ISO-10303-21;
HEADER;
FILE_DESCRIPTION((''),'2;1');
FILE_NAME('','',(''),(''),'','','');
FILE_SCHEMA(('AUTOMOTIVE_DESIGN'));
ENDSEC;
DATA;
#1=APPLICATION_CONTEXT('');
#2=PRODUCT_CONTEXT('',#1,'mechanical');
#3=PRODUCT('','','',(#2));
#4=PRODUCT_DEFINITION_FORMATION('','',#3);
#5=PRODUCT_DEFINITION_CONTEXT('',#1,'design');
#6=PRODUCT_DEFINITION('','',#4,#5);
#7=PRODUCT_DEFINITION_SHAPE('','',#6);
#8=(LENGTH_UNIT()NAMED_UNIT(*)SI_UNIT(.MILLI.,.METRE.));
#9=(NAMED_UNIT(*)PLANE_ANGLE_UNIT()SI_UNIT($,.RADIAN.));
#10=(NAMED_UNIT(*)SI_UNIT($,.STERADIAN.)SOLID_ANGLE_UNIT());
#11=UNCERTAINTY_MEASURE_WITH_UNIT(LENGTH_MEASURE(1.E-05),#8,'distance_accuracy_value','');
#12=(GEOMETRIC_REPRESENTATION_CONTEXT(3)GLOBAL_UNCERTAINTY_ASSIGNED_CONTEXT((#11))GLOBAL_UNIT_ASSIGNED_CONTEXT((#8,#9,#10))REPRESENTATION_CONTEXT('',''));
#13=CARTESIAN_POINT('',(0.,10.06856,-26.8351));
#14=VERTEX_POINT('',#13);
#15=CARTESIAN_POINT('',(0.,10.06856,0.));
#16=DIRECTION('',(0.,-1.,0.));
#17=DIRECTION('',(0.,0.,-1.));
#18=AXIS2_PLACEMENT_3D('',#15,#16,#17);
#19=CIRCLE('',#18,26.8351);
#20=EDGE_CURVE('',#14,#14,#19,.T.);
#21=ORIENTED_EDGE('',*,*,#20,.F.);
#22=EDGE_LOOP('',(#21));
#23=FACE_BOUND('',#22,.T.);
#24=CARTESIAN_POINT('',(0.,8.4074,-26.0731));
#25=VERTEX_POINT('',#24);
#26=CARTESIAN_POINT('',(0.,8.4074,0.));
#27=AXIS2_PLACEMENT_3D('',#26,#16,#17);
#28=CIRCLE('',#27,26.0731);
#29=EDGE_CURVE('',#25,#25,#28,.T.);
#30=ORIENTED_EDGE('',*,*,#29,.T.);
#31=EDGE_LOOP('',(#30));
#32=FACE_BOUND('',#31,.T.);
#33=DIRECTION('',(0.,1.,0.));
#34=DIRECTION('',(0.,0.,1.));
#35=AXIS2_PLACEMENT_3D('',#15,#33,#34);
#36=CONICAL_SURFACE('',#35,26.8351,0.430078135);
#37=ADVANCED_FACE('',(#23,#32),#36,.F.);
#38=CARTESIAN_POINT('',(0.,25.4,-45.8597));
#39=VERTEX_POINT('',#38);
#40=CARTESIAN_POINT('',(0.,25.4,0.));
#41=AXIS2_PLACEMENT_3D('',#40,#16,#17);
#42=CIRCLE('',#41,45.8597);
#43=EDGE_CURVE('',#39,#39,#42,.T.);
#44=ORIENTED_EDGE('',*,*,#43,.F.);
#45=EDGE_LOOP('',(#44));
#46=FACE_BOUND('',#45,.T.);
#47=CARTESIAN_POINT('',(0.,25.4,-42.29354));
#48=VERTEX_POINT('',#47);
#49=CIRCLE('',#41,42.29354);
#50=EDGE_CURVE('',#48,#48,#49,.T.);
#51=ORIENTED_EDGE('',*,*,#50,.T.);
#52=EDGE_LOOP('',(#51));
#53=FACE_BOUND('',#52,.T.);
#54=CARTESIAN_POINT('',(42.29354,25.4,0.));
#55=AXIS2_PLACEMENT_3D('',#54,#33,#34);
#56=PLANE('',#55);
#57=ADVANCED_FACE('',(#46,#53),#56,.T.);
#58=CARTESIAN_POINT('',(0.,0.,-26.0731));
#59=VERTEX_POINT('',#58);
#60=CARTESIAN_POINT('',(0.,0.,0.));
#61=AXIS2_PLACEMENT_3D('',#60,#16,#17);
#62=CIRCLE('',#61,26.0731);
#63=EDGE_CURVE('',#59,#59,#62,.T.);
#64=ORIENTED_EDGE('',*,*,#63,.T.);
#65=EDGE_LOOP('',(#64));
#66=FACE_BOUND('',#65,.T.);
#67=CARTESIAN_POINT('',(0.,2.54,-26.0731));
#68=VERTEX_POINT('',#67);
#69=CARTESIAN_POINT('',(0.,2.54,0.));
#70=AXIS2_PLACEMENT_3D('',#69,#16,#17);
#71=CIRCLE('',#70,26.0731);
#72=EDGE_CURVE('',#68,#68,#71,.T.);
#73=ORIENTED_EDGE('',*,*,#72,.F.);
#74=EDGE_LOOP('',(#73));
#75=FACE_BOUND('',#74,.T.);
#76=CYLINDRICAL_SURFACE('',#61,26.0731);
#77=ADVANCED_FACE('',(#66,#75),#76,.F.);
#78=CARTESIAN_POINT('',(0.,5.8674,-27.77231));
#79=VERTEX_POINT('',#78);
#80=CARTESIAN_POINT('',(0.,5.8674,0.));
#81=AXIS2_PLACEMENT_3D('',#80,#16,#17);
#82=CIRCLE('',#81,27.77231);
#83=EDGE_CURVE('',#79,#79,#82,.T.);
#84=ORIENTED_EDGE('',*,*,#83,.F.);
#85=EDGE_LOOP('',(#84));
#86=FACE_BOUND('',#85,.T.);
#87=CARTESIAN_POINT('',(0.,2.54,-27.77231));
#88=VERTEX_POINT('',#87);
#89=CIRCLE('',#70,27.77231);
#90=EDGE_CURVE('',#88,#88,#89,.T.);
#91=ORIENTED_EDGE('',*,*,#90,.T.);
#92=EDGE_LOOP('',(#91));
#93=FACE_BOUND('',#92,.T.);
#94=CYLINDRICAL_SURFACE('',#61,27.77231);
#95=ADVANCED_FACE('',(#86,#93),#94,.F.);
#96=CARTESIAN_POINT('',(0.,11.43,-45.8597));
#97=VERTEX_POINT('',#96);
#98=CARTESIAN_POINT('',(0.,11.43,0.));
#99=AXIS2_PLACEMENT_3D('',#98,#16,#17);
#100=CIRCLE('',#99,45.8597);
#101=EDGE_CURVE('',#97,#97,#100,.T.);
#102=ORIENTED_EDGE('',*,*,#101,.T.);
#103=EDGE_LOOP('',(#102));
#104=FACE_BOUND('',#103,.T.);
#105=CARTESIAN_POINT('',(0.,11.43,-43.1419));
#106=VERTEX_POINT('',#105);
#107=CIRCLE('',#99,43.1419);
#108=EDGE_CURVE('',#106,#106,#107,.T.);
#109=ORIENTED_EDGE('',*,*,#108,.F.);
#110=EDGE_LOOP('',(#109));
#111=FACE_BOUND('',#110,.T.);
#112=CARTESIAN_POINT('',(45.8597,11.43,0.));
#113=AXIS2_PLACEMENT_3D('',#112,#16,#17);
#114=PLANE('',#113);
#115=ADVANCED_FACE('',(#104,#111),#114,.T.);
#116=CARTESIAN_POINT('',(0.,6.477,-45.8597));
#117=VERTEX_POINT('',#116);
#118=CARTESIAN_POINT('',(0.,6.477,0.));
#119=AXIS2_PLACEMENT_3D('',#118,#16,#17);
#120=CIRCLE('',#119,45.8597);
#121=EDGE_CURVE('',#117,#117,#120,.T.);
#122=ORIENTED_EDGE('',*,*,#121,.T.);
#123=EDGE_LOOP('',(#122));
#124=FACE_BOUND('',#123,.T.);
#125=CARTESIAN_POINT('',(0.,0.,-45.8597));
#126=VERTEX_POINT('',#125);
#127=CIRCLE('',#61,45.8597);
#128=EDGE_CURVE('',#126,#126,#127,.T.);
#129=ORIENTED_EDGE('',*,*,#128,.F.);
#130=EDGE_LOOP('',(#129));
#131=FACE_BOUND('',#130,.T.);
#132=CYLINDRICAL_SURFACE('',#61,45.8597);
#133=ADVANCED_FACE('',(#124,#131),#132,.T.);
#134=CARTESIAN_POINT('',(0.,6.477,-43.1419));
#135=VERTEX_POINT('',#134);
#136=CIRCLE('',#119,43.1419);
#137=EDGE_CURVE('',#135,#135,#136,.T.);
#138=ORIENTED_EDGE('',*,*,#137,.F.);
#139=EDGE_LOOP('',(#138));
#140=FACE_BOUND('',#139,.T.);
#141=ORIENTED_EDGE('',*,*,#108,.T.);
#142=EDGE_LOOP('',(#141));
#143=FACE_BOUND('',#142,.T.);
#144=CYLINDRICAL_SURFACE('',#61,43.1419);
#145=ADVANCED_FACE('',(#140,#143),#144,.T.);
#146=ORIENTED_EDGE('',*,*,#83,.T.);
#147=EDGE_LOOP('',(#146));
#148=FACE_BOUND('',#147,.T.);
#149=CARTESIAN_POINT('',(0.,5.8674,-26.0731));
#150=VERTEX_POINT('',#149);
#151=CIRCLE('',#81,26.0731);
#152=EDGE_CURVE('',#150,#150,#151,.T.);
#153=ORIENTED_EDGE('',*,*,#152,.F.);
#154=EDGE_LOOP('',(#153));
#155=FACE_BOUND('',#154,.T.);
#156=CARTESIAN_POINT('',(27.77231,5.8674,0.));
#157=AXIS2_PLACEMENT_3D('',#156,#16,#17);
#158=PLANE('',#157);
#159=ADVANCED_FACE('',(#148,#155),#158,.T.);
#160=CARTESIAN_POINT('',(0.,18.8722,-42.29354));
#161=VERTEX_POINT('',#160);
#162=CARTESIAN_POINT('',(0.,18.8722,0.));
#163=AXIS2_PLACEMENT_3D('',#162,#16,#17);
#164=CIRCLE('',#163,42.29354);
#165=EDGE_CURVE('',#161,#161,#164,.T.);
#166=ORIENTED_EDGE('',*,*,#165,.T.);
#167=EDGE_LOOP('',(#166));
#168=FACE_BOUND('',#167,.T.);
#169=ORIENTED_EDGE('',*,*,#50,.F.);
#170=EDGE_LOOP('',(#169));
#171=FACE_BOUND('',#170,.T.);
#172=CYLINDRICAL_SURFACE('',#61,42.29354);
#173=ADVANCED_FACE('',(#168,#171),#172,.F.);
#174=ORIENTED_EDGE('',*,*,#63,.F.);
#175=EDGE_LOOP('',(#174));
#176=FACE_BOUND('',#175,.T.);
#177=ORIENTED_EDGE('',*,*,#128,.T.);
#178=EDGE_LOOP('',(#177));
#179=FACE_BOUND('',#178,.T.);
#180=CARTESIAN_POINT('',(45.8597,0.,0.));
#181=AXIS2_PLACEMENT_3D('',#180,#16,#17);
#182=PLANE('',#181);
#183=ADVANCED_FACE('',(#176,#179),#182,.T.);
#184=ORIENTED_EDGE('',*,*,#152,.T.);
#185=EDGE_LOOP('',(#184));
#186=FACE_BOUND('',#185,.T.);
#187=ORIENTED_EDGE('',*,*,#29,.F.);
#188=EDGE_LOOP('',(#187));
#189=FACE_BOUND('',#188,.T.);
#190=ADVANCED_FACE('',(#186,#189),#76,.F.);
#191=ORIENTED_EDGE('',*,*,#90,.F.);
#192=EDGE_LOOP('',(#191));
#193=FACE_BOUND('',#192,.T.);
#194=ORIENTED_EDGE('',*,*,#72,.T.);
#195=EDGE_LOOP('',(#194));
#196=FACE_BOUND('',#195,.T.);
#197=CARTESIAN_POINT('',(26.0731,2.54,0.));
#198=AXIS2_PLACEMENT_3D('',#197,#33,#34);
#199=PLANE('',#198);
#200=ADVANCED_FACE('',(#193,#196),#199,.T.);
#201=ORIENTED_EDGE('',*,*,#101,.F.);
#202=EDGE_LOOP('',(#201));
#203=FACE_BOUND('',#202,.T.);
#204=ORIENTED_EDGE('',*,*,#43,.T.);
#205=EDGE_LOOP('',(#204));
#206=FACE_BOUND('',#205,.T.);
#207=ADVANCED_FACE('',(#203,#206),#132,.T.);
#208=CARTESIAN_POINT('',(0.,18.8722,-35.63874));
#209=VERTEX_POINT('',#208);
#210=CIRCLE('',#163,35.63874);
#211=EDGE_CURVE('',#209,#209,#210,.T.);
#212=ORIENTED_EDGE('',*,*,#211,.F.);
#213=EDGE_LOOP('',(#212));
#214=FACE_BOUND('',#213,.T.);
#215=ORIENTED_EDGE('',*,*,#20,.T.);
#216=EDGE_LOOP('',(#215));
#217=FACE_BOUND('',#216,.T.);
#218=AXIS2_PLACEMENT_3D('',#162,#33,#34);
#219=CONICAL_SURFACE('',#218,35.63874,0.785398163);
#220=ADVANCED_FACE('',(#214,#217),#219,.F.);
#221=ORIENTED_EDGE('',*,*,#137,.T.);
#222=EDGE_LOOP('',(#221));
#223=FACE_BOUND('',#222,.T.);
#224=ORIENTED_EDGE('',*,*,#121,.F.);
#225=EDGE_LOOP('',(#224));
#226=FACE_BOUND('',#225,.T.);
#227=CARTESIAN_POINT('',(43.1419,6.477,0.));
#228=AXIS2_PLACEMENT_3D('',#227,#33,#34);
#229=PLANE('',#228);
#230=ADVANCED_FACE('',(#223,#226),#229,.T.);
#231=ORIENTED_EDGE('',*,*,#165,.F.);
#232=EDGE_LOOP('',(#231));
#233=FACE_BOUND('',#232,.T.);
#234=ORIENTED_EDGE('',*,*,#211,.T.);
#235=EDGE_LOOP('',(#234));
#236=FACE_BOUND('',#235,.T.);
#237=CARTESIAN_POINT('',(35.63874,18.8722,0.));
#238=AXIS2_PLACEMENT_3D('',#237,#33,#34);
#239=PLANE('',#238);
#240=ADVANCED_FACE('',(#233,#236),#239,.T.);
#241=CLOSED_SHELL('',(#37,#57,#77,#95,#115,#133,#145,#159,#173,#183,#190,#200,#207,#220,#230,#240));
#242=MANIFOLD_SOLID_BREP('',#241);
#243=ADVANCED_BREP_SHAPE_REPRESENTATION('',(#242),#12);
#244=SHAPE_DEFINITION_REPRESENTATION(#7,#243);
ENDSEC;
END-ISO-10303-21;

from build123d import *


with BuildPart() as part:
    # Sketch1 → Revolve1 (revolve)
    with BuildSketch(Plane.XY):
        Polygon((26.0731, 0), (26.0731, 2.54), (27.772310192, 2.54), (27.772310192, 5.8674), (26.0731, 5.8674), (26.0731, 8.4074), (26.8351, 10.06856), (35.63874, 18.8722), (42.29354, 18.8722), (42.29354, 25.4), (45.8597, 25.4), (45.8597, 11.43), (43.1419, 11.43), (43.1419, 6.477), (45.8597, 6.477), (45.8597, 0), align=None)
    revolve(axis=Axis((0, 0, 0), (0, 1, 0)))


solid = part.part
